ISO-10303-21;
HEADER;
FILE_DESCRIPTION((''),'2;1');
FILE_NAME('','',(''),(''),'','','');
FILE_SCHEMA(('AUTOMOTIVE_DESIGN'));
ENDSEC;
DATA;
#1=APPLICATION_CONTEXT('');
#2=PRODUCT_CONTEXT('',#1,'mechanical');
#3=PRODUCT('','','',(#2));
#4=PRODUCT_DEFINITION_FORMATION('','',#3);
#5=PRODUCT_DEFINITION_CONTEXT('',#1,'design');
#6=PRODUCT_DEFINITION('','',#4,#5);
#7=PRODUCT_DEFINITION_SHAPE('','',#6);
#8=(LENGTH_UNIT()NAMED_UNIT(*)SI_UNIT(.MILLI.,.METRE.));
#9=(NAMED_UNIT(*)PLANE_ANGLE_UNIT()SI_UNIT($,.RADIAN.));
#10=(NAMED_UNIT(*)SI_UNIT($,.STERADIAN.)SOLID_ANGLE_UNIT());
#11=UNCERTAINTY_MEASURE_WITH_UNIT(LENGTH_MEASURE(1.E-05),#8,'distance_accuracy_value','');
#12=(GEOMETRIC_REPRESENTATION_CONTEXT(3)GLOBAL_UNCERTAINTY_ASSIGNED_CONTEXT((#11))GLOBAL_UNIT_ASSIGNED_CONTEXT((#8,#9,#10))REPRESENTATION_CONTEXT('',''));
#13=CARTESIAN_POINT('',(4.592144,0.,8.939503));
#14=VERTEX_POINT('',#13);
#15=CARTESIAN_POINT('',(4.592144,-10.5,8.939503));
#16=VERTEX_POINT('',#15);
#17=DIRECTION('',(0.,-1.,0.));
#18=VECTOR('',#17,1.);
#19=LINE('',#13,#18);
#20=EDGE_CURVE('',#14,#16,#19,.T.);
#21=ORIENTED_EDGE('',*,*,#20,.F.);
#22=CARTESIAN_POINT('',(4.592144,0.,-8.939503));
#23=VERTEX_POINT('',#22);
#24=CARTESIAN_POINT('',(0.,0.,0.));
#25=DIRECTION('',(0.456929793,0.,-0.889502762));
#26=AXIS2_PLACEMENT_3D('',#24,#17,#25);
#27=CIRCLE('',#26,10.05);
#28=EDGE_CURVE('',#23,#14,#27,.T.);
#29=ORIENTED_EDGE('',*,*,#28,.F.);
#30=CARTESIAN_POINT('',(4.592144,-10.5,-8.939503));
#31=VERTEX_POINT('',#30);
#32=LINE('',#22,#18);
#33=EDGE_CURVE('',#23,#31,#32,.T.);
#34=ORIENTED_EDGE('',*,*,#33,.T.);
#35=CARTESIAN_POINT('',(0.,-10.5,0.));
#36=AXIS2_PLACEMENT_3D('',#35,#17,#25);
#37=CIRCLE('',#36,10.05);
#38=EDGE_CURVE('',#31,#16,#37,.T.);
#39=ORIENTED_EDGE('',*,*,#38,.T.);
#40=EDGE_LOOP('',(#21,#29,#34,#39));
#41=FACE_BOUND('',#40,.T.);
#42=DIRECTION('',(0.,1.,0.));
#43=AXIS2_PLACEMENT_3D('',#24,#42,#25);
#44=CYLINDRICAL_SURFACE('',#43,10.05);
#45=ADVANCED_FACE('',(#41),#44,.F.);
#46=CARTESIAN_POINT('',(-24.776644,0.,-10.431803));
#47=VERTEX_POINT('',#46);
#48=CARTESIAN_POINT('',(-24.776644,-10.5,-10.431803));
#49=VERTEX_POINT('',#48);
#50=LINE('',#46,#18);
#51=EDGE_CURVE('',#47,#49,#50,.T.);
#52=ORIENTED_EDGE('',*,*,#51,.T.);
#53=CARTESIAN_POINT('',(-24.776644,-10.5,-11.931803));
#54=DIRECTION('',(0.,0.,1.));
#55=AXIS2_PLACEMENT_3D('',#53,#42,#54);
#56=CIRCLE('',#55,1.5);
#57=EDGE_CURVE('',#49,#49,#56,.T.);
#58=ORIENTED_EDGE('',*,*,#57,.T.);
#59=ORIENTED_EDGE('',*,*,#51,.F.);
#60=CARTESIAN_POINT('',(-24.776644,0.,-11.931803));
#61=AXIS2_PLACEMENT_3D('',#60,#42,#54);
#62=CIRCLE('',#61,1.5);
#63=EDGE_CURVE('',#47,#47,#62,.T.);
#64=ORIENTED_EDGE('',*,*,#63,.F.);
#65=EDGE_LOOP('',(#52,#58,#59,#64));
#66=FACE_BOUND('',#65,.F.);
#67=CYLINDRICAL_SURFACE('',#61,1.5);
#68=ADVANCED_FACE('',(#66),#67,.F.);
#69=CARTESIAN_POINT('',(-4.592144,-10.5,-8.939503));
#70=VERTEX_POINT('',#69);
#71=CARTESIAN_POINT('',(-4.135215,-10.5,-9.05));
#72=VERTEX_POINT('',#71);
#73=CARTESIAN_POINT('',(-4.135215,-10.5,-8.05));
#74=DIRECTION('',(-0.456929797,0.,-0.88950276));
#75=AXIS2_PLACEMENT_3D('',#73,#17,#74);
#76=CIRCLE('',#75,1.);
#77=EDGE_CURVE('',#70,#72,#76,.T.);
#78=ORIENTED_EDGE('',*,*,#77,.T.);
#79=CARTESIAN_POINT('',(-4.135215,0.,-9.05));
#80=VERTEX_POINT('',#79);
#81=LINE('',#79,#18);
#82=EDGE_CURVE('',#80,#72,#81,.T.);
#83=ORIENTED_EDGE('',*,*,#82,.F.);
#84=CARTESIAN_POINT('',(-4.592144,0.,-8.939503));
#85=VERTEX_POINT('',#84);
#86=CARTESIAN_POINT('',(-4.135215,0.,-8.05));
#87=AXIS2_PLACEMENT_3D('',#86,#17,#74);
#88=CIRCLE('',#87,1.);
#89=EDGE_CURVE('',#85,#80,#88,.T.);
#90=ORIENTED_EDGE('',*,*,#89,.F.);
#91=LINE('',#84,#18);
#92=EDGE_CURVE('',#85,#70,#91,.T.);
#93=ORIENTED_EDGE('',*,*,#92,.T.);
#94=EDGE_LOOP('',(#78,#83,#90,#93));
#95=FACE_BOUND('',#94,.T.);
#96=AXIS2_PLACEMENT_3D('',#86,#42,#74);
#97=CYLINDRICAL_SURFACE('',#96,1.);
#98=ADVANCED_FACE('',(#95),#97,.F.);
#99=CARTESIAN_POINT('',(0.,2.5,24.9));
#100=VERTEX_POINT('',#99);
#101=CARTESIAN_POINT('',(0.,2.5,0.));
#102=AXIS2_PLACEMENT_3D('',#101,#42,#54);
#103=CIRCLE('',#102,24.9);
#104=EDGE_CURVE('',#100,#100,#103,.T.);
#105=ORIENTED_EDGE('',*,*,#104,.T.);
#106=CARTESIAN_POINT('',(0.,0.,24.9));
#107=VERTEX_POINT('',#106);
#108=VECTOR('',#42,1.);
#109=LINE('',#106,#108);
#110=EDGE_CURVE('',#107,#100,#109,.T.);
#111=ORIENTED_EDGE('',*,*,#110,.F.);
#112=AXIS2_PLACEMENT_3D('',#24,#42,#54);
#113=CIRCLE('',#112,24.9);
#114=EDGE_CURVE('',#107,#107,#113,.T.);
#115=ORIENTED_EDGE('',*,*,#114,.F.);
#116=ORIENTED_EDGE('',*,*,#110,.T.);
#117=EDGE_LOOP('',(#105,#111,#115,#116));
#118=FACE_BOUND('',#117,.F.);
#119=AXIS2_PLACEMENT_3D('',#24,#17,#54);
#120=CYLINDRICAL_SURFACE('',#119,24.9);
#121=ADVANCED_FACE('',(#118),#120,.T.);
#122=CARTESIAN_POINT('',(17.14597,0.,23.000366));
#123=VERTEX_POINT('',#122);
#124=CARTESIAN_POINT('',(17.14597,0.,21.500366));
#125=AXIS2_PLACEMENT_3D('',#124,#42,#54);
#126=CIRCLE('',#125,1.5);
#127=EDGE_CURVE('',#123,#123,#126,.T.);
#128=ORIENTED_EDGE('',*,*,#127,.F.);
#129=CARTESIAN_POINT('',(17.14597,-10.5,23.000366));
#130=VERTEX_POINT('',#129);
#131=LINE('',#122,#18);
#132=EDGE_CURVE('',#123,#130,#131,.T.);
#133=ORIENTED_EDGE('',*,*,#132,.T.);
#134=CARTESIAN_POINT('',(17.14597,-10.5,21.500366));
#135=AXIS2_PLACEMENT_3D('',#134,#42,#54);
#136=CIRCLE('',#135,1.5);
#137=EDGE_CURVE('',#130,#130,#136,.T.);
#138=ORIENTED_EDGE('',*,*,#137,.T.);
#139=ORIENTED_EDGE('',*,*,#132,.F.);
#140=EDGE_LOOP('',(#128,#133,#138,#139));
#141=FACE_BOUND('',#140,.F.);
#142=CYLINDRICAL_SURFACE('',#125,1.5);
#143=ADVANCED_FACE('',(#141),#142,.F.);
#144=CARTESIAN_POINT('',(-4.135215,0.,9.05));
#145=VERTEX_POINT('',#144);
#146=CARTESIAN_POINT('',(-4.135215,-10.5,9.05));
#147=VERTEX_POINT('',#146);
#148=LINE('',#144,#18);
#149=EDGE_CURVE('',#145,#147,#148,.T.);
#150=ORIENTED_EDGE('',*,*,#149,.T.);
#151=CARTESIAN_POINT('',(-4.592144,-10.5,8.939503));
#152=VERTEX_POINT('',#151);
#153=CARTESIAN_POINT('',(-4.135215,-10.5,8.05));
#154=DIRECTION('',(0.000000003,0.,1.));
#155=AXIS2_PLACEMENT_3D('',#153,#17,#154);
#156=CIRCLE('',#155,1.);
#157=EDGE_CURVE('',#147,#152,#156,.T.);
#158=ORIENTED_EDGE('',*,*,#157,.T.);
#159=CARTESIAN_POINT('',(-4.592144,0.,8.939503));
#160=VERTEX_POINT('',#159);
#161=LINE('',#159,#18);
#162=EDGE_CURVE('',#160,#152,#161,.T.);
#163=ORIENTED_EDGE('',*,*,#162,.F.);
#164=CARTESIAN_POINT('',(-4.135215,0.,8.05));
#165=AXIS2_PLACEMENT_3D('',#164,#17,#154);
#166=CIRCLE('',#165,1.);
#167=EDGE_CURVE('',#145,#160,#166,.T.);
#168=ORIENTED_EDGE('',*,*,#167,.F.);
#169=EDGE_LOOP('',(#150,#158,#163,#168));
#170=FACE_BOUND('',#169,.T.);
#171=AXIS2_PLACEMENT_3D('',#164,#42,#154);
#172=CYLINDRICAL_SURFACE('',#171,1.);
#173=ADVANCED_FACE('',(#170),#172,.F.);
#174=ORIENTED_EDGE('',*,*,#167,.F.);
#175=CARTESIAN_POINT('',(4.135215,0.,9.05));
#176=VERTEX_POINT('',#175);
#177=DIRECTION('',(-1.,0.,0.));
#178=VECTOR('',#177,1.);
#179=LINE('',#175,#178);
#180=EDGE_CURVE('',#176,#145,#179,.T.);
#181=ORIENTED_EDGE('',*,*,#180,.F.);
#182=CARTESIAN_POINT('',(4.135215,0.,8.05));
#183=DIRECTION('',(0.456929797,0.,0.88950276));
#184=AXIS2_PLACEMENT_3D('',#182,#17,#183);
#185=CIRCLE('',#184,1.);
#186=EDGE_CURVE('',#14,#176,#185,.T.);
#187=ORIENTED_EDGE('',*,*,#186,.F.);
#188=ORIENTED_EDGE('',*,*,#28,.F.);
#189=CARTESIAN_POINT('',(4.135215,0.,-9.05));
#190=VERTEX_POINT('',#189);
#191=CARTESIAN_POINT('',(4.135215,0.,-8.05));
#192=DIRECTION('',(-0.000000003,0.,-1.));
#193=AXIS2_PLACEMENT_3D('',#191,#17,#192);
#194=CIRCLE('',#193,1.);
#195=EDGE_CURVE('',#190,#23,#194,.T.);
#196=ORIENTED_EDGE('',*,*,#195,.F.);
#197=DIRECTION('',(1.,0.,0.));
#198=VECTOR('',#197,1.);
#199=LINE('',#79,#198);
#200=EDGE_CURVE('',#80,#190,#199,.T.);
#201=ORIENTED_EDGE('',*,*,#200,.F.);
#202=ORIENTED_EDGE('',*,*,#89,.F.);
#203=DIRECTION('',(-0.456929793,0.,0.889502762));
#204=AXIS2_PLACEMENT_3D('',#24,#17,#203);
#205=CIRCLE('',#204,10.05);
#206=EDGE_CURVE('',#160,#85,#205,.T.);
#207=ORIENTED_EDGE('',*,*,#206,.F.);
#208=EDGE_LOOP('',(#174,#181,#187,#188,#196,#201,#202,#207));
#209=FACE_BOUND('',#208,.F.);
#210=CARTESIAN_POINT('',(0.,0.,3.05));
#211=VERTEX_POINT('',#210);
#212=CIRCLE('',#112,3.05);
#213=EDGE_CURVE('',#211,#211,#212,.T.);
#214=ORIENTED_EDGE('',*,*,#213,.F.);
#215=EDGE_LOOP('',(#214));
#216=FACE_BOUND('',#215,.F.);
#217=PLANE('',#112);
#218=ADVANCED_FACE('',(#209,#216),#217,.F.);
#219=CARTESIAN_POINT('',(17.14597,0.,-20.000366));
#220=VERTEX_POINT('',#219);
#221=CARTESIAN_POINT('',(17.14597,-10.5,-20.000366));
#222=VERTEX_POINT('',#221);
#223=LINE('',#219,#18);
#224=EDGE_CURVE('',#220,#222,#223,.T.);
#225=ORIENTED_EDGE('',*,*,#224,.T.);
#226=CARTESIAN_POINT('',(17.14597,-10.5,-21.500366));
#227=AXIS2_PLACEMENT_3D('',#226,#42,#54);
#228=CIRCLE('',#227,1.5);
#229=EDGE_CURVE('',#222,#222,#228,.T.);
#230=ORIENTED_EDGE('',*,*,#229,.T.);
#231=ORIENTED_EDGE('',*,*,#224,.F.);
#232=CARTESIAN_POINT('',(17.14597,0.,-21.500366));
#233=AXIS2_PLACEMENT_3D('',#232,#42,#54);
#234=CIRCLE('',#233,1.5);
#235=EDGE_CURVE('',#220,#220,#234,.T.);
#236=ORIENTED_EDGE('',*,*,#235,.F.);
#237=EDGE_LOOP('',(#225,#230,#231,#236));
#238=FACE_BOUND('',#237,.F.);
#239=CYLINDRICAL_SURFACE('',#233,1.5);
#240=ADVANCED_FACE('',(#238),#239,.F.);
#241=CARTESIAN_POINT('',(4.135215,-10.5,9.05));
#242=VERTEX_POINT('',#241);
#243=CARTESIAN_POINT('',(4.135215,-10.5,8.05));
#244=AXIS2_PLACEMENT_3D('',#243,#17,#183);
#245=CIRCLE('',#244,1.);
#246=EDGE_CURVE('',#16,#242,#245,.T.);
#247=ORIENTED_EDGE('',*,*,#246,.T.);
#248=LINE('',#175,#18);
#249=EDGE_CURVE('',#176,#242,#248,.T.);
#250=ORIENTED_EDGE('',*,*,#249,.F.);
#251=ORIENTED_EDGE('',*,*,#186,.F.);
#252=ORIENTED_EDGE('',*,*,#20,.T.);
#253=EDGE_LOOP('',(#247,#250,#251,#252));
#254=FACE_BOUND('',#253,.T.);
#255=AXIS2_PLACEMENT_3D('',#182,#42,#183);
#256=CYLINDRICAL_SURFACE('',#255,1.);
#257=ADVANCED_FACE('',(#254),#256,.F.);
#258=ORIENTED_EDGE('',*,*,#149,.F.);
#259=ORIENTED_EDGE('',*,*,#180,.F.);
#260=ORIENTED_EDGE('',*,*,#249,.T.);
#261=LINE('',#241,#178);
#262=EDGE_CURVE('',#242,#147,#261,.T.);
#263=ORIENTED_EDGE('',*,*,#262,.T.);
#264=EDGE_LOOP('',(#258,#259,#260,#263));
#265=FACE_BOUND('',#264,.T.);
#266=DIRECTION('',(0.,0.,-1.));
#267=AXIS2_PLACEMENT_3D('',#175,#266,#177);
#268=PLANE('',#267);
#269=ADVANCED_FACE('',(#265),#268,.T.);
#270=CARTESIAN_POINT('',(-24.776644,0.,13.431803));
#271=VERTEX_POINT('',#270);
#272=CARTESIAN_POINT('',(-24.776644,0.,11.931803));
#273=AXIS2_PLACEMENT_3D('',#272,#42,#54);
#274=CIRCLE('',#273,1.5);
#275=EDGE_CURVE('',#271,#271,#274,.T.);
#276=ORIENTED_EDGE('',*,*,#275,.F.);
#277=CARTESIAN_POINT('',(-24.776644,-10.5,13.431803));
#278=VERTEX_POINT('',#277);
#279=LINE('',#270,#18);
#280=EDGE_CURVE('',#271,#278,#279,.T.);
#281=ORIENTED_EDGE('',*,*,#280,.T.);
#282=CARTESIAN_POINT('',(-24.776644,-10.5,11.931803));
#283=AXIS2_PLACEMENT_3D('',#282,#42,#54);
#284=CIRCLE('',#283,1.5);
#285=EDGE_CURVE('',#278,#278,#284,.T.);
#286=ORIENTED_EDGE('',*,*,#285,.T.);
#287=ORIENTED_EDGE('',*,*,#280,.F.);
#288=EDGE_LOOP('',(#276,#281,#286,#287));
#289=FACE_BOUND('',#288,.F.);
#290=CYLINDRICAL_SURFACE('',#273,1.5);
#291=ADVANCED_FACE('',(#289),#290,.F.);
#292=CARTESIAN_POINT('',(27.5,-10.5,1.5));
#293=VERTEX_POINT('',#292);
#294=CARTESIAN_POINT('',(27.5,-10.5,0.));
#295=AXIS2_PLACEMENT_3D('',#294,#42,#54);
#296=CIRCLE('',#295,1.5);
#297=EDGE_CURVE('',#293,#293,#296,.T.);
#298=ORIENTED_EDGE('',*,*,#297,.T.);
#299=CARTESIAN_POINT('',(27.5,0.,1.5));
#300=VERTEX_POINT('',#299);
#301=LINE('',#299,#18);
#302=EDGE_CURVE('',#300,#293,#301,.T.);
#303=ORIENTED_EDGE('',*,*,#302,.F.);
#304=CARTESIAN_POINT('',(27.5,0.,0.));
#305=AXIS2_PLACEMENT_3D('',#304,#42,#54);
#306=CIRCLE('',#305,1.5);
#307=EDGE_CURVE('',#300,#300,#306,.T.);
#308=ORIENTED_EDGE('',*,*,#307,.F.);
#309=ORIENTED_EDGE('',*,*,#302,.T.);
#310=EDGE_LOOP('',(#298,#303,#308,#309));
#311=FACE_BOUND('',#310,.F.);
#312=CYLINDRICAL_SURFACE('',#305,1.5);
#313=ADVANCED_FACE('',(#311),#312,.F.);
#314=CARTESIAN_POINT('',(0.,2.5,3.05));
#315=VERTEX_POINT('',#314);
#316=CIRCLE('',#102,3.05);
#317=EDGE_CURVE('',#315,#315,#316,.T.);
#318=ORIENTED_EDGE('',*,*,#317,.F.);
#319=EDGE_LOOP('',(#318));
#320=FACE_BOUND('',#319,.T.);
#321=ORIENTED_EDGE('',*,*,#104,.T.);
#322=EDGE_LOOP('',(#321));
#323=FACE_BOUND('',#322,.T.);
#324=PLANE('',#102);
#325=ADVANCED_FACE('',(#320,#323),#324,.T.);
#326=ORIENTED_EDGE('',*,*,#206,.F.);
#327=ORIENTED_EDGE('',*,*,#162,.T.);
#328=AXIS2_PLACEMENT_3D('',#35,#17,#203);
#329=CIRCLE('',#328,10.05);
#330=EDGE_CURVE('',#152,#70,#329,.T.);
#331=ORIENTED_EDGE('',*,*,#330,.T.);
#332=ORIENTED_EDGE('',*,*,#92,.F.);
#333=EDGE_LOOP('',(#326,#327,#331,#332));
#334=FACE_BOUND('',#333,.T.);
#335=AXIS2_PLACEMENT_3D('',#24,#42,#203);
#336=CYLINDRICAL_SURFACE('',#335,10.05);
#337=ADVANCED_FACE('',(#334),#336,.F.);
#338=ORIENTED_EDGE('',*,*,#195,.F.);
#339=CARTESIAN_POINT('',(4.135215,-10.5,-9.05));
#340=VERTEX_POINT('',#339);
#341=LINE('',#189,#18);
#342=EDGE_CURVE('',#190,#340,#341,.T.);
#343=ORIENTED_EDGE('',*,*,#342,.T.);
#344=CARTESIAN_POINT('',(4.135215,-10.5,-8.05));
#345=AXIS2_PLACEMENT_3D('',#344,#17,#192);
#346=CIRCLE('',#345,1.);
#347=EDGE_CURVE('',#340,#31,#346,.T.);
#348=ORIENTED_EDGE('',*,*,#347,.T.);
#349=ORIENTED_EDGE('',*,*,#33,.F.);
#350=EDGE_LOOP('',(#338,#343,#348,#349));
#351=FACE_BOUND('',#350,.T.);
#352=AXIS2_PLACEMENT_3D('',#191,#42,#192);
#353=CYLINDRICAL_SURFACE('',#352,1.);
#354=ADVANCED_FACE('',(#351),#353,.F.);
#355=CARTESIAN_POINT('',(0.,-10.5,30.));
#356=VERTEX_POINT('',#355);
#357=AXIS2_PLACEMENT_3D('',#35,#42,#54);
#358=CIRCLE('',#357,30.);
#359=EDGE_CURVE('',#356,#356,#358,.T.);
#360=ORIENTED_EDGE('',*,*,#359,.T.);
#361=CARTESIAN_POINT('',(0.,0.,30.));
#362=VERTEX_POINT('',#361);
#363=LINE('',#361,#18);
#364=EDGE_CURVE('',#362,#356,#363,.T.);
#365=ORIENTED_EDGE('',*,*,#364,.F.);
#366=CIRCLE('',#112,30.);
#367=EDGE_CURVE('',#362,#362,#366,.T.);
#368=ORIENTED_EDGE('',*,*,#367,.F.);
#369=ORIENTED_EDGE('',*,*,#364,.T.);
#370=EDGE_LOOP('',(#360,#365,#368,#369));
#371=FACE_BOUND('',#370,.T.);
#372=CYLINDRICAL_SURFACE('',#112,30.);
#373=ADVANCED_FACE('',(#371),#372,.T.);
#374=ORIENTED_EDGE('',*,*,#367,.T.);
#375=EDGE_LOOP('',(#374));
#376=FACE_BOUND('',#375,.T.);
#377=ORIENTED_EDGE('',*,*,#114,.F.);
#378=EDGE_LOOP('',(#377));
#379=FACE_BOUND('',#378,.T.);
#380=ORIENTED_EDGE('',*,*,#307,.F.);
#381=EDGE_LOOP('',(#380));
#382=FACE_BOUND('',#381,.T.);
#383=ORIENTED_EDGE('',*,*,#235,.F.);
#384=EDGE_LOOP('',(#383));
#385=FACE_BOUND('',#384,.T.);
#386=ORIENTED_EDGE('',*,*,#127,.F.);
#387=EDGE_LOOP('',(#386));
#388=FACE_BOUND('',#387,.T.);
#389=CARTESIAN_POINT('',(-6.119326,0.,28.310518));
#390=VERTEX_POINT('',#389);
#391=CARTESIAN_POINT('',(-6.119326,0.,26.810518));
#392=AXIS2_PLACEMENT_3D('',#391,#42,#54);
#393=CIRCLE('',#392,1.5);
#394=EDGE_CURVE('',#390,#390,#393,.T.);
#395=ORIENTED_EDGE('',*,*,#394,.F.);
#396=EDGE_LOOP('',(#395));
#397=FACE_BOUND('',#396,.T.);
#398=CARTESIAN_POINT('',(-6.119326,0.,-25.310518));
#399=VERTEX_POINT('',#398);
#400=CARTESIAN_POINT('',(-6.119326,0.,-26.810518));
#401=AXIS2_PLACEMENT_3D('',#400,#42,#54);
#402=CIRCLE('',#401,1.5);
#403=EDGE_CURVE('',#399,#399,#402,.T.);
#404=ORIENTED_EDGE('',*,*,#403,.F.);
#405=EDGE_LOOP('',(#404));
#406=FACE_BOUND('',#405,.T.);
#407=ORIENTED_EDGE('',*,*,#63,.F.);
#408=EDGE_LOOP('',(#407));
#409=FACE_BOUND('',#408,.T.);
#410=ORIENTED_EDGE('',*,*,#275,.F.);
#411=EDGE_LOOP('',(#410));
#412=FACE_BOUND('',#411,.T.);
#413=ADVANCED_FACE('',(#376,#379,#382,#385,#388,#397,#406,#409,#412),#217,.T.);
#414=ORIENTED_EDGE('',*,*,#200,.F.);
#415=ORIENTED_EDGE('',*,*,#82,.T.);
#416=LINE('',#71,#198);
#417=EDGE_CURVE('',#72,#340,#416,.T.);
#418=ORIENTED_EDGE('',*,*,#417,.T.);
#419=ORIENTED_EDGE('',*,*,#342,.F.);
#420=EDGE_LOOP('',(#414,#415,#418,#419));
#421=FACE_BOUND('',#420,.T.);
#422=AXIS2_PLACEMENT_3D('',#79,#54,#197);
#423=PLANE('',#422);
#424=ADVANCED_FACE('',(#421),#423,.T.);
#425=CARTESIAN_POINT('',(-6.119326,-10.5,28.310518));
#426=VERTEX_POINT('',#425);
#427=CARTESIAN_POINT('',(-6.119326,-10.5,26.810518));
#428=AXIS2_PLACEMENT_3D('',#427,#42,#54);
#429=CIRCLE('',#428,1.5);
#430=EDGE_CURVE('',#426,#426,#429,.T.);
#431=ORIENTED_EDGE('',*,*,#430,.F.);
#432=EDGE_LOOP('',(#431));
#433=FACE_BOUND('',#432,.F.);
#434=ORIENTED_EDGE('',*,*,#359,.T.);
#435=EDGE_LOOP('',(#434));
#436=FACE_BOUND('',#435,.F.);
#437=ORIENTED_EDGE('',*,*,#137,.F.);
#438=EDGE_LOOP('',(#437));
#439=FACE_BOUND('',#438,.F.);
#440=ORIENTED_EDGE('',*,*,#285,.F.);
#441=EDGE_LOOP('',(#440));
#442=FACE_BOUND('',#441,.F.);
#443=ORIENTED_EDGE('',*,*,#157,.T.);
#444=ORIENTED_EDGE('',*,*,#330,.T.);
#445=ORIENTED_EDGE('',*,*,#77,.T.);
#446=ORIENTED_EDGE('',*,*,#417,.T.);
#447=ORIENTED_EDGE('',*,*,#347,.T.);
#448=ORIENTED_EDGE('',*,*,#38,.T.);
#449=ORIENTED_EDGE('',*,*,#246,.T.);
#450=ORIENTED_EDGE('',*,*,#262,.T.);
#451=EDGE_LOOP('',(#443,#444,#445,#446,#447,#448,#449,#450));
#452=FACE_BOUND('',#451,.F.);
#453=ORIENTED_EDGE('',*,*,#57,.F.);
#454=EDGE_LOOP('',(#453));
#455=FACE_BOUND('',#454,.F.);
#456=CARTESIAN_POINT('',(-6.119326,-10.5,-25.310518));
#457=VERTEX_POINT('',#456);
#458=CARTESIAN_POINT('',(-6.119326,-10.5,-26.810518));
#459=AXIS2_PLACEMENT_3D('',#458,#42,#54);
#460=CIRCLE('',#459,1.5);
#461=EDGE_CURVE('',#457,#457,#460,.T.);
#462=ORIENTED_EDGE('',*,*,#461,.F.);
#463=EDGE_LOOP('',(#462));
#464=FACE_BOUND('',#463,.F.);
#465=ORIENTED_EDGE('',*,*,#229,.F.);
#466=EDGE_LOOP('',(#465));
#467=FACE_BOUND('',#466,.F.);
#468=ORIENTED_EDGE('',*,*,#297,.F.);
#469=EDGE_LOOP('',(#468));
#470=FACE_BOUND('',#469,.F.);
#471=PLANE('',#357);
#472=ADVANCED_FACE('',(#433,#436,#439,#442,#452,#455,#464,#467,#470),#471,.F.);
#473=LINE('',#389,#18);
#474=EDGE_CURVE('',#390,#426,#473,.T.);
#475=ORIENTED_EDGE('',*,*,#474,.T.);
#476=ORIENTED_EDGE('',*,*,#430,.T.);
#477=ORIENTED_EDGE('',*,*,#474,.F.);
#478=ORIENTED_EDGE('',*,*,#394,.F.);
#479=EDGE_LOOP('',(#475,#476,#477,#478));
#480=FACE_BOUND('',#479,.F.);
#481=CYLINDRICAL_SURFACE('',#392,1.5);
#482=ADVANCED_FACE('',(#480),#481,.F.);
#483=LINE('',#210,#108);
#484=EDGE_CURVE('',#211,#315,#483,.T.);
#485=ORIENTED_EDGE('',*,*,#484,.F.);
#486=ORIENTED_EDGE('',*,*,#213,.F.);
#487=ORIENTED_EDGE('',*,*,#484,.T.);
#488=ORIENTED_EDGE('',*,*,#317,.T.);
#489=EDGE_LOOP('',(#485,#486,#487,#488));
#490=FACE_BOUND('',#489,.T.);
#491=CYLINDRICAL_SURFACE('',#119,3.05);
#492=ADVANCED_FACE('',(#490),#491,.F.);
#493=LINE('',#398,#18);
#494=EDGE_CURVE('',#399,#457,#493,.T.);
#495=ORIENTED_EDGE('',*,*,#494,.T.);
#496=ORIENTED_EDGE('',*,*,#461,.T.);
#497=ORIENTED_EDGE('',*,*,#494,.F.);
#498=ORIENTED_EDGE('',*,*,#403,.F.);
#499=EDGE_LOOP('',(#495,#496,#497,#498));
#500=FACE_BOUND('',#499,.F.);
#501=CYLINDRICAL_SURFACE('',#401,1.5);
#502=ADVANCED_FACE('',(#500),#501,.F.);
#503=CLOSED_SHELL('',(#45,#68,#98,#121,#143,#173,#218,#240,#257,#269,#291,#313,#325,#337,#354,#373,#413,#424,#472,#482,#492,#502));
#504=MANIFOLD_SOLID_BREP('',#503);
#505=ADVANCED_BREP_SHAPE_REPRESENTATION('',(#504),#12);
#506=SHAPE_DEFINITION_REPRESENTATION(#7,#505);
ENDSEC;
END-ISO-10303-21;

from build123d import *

# Parameters (mm, degrees)
CROQUIS1_R              = 24.9
CROQUIS1_R_2            = 3.05
SALIENTE_EXTRUIR1_DEPTH = 2.5
CROQUIS2_R              = 30
SALIENTE_EXTRUIR2_DEPTH = 10.5
CROQUIS3_R              = 1.5
CORTAR_EXTRUIR1_DEPTH   = 44.706406853


with BuildPart() as part:
    # Croquis1 → Saliente-Extruir1 (new body)
    with BuildSketch(Plane(origin=(0, 0, 0), x_dir=(1, 0, 0), z_dir=(0, 1, 0))):
        with Locations(Location((0, 0, 0), (0, 0, 270))):
            Circle(CROQUIS1_R)
        with Locations(Location((0, 0, 0), (0, 0, 270))):
            Circle(CROQUIS1_R_2, mode=Mode.SUBTRACT)
    extrude(amount=SALIENTE_EXTRUIR1_DEPTH)

    # Croquis2 → Saliente-Extruir2 (add)
    with BuildSketch(Plane(origin=(0, 0, 0), x_dir=(1, 0, 0), z_dir=(0, 1, 0))):
        with Locations(Location((0, 0, 0), (0, 0, 270))):
            Circle(CROQUIS2_R)
        with BuildLine():
            Line((-4.135214626, 9.05), (4.135214626, 9.05))
            ThreePointArc((4.135214626, 9.05), (4.370264873, 9.021983221), (4.592144419, 8.939502762))
            ThreePointArc((4.592144419, 8.939502762), (10.05, 0), (4.592144419, -8.939502762))
            ThreePointArc((4.592144419, -8.939502762), (4.370264873, -9.021983221), (4.135214626, -9.05))
            Line((4.135214626, -9.05), (-4.135214626, -9.05))
            ThreePointArc((-4.135214626, -9.05), (-4.370264873, -9.021983221), (-4.592144419, -8.939502762))
            ThreePointArc((-4.592144419, -8.939502762), (-10.05, 0), (-4.592144419, 8.939502762))
            ThreePointArc((-4.592144419, 8.939502762), (-4.370264873, 9.021983221), (-4.135214626, 9.05))
        make_face(mode=Mode.SUBTRACT)
    extrude(amount=-SALIENTE_EXTRUIR2_DEPTH)

    # Croquis3 → Cortar-Extruir1 (cut, through all)
    with BuildSketch(Plane(origin=(0, 0, 0), x_dir=(1, 0, 0), z_dir=(0, 1, 0))):
        with Locations(Location((27.5, 0, 0), (0, 0, 270))):
            Circle(CROQUIS3_R)
        with Locations(Location((17.145969551, -21.500365768, 0), (0, 0, 270))):
            Circle(CROQUIS3_R)
        with Locations(Location((-6.119325684, -26.810517585, 0), (0, 0, 270))):
            Circle(CROQUIS3_R)
        with Locations(Location((-24.776643867, -11.931802826, 0), (0, 0, 270))):
            Circle(CROQUIS3_R)
        with Locations(Location((-24.776643867, 11.931802826, 0), (0, 0, 270))):
            Circle(CROQUIS3_R)
        with Locations(Location((-6.119325684, 26.810517585, 0), (0, 0, 270))):
            Circle(CROQUIS3_R)
        with Locations(Location((17.145969551, 21.500365768, 0), (0, 0, 270))):
            Circle(CROQUIS3_R)
    extrude(amount=-CORTAR_EXTRUIR1_DEPTH, mode=Mode.SUBTRACT)


solid = part.part
